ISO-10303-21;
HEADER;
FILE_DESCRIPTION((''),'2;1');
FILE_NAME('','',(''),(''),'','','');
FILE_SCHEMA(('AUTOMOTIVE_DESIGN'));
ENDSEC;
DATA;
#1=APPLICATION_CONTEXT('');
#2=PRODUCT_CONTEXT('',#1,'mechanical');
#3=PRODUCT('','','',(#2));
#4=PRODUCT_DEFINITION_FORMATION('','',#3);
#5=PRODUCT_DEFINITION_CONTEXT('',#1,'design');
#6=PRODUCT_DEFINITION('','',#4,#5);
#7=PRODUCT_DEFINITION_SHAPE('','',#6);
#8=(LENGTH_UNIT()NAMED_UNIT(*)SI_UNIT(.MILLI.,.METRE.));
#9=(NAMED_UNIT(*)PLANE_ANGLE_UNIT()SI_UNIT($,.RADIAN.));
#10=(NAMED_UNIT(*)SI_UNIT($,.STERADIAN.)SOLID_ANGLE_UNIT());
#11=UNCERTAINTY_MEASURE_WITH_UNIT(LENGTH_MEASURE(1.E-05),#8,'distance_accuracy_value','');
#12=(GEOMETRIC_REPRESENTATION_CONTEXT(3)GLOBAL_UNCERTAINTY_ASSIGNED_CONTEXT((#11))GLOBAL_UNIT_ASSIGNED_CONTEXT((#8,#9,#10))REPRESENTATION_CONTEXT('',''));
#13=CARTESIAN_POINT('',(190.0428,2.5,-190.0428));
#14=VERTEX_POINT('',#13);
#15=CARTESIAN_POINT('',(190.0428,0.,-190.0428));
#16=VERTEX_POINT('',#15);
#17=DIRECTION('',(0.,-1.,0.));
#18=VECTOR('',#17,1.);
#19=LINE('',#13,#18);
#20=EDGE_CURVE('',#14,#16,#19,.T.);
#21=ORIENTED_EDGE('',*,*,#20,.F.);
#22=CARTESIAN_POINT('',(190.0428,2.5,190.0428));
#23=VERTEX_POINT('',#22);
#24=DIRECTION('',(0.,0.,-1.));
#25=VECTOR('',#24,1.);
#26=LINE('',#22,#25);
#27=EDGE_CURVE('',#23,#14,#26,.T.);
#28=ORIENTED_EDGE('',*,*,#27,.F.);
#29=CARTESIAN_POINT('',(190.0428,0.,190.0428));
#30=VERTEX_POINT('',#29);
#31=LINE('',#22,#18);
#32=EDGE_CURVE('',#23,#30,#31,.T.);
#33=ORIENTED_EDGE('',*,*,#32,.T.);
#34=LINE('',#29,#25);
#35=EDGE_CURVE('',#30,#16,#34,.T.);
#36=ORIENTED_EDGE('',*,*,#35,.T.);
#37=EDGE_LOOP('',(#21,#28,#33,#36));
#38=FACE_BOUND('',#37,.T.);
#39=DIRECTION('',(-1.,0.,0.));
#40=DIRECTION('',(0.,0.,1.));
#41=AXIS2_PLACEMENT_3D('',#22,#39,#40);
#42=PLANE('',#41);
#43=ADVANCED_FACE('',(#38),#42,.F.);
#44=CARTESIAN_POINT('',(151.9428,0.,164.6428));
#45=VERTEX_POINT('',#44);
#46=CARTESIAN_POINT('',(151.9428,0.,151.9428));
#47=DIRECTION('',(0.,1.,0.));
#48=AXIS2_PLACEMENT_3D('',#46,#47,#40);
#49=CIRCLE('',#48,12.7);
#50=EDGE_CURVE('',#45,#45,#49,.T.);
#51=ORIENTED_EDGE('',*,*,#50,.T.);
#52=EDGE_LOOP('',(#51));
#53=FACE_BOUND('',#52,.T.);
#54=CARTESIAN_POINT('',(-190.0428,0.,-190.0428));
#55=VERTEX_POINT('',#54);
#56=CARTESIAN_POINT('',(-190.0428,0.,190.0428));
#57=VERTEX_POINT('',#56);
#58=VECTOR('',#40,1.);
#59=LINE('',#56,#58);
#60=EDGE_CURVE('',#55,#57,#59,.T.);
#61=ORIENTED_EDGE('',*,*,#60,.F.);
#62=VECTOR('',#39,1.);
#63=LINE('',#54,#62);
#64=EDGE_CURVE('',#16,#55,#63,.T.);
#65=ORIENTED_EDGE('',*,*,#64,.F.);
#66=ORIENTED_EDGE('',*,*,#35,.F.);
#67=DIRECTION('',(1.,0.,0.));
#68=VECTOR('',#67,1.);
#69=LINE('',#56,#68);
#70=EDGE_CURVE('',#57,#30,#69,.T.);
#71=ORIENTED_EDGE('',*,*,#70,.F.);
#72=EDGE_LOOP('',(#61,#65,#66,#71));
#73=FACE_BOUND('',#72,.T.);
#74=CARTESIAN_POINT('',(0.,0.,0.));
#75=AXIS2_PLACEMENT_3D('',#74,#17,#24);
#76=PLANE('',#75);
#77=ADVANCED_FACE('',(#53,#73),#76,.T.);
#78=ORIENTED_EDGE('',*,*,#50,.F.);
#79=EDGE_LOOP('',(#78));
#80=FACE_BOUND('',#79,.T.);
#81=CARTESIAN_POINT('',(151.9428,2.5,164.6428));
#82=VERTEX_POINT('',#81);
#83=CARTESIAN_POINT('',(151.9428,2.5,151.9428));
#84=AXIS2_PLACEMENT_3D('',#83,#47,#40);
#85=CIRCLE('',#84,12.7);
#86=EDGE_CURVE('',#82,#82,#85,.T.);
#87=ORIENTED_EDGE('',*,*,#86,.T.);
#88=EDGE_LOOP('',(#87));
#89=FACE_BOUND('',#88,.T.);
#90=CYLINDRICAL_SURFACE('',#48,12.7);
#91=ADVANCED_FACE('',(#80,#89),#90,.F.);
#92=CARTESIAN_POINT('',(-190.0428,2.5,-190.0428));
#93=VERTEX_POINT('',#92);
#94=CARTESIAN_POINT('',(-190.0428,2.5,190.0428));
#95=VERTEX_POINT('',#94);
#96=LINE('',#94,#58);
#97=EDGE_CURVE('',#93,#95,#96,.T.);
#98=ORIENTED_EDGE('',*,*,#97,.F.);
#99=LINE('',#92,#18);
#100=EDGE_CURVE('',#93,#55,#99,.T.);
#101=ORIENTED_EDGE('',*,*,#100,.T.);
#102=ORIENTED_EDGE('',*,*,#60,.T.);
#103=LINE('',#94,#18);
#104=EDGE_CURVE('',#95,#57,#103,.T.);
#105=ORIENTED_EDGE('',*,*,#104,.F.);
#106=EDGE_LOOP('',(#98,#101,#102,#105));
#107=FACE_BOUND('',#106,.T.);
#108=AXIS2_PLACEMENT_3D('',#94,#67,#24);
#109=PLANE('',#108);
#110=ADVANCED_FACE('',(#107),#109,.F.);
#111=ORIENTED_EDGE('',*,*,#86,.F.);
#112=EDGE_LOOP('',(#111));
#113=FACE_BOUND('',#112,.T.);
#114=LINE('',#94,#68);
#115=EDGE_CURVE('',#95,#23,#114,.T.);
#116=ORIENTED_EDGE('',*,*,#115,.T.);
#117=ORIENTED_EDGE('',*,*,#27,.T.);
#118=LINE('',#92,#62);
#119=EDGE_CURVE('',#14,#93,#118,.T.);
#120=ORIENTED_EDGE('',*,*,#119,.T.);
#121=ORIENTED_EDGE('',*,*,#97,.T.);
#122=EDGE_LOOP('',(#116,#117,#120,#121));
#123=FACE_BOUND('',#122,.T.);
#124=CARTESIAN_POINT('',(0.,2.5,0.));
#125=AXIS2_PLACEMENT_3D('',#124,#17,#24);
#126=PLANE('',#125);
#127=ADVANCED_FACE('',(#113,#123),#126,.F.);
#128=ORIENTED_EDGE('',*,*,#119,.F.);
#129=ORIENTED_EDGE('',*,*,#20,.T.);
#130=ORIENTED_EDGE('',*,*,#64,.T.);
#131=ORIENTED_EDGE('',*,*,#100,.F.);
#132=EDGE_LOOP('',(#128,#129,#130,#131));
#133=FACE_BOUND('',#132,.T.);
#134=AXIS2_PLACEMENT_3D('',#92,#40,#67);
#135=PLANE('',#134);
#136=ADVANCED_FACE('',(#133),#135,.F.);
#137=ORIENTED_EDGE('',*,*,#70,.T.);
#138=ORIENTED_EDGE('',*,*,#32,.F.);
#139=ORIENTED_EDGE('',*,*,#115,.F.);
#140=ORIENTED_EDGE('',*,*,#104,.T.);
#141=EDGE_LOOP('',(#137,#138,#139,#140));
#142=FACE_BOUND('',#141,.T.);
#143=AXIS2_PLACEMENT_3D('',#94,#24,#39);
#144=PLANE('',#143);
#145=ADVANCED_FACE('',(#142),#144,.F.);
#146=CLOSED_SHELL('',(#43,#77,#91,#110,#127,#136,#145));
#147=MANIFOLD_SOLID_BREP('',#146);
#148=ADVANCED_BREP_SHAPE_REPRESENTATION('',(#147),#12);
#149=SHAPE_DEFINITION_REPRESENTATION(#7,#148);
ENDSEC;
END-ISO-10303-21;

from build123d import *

# Parameters (mm, degrees)
SKETCH1_W           = 380.0856
SKETCH1_H           = 380.0856
BOSS_EXTRUDE1_DEPTH = 2.5
SKETCH2_R           = 12.7
CUT_EXTRUDE1_DEPTH  = 3.5


with BuildPart() as part:
    # Sketch1 → Boss-Extrude1 (new body)
    with BuildSketch(Plane(origin=(0, 0, 0), x_dir=(1, 0, 0), z_dir=(0, 1, 0))):
        Rectangle(SKETCH1_W, SKETCH1_H)
    extrude(amount=BOSS_EXTRUDE1_DEPTH)

    # Sketch2 → Cut-Extrude1 (cut, through all)
    with BuildSketch(Plane(origin=(0, 2.5, 0), x_dir=(1, 0, 0), z_dir=(0, 1, 0))):
        with Locations((151.9428, -151.9428)):
            Circle(SKETCH2_R)
    extrude(amount=-CUT_EXTRUDE1_DEPTH, mode=Mode.SUBTRACT)


solid = part.part
